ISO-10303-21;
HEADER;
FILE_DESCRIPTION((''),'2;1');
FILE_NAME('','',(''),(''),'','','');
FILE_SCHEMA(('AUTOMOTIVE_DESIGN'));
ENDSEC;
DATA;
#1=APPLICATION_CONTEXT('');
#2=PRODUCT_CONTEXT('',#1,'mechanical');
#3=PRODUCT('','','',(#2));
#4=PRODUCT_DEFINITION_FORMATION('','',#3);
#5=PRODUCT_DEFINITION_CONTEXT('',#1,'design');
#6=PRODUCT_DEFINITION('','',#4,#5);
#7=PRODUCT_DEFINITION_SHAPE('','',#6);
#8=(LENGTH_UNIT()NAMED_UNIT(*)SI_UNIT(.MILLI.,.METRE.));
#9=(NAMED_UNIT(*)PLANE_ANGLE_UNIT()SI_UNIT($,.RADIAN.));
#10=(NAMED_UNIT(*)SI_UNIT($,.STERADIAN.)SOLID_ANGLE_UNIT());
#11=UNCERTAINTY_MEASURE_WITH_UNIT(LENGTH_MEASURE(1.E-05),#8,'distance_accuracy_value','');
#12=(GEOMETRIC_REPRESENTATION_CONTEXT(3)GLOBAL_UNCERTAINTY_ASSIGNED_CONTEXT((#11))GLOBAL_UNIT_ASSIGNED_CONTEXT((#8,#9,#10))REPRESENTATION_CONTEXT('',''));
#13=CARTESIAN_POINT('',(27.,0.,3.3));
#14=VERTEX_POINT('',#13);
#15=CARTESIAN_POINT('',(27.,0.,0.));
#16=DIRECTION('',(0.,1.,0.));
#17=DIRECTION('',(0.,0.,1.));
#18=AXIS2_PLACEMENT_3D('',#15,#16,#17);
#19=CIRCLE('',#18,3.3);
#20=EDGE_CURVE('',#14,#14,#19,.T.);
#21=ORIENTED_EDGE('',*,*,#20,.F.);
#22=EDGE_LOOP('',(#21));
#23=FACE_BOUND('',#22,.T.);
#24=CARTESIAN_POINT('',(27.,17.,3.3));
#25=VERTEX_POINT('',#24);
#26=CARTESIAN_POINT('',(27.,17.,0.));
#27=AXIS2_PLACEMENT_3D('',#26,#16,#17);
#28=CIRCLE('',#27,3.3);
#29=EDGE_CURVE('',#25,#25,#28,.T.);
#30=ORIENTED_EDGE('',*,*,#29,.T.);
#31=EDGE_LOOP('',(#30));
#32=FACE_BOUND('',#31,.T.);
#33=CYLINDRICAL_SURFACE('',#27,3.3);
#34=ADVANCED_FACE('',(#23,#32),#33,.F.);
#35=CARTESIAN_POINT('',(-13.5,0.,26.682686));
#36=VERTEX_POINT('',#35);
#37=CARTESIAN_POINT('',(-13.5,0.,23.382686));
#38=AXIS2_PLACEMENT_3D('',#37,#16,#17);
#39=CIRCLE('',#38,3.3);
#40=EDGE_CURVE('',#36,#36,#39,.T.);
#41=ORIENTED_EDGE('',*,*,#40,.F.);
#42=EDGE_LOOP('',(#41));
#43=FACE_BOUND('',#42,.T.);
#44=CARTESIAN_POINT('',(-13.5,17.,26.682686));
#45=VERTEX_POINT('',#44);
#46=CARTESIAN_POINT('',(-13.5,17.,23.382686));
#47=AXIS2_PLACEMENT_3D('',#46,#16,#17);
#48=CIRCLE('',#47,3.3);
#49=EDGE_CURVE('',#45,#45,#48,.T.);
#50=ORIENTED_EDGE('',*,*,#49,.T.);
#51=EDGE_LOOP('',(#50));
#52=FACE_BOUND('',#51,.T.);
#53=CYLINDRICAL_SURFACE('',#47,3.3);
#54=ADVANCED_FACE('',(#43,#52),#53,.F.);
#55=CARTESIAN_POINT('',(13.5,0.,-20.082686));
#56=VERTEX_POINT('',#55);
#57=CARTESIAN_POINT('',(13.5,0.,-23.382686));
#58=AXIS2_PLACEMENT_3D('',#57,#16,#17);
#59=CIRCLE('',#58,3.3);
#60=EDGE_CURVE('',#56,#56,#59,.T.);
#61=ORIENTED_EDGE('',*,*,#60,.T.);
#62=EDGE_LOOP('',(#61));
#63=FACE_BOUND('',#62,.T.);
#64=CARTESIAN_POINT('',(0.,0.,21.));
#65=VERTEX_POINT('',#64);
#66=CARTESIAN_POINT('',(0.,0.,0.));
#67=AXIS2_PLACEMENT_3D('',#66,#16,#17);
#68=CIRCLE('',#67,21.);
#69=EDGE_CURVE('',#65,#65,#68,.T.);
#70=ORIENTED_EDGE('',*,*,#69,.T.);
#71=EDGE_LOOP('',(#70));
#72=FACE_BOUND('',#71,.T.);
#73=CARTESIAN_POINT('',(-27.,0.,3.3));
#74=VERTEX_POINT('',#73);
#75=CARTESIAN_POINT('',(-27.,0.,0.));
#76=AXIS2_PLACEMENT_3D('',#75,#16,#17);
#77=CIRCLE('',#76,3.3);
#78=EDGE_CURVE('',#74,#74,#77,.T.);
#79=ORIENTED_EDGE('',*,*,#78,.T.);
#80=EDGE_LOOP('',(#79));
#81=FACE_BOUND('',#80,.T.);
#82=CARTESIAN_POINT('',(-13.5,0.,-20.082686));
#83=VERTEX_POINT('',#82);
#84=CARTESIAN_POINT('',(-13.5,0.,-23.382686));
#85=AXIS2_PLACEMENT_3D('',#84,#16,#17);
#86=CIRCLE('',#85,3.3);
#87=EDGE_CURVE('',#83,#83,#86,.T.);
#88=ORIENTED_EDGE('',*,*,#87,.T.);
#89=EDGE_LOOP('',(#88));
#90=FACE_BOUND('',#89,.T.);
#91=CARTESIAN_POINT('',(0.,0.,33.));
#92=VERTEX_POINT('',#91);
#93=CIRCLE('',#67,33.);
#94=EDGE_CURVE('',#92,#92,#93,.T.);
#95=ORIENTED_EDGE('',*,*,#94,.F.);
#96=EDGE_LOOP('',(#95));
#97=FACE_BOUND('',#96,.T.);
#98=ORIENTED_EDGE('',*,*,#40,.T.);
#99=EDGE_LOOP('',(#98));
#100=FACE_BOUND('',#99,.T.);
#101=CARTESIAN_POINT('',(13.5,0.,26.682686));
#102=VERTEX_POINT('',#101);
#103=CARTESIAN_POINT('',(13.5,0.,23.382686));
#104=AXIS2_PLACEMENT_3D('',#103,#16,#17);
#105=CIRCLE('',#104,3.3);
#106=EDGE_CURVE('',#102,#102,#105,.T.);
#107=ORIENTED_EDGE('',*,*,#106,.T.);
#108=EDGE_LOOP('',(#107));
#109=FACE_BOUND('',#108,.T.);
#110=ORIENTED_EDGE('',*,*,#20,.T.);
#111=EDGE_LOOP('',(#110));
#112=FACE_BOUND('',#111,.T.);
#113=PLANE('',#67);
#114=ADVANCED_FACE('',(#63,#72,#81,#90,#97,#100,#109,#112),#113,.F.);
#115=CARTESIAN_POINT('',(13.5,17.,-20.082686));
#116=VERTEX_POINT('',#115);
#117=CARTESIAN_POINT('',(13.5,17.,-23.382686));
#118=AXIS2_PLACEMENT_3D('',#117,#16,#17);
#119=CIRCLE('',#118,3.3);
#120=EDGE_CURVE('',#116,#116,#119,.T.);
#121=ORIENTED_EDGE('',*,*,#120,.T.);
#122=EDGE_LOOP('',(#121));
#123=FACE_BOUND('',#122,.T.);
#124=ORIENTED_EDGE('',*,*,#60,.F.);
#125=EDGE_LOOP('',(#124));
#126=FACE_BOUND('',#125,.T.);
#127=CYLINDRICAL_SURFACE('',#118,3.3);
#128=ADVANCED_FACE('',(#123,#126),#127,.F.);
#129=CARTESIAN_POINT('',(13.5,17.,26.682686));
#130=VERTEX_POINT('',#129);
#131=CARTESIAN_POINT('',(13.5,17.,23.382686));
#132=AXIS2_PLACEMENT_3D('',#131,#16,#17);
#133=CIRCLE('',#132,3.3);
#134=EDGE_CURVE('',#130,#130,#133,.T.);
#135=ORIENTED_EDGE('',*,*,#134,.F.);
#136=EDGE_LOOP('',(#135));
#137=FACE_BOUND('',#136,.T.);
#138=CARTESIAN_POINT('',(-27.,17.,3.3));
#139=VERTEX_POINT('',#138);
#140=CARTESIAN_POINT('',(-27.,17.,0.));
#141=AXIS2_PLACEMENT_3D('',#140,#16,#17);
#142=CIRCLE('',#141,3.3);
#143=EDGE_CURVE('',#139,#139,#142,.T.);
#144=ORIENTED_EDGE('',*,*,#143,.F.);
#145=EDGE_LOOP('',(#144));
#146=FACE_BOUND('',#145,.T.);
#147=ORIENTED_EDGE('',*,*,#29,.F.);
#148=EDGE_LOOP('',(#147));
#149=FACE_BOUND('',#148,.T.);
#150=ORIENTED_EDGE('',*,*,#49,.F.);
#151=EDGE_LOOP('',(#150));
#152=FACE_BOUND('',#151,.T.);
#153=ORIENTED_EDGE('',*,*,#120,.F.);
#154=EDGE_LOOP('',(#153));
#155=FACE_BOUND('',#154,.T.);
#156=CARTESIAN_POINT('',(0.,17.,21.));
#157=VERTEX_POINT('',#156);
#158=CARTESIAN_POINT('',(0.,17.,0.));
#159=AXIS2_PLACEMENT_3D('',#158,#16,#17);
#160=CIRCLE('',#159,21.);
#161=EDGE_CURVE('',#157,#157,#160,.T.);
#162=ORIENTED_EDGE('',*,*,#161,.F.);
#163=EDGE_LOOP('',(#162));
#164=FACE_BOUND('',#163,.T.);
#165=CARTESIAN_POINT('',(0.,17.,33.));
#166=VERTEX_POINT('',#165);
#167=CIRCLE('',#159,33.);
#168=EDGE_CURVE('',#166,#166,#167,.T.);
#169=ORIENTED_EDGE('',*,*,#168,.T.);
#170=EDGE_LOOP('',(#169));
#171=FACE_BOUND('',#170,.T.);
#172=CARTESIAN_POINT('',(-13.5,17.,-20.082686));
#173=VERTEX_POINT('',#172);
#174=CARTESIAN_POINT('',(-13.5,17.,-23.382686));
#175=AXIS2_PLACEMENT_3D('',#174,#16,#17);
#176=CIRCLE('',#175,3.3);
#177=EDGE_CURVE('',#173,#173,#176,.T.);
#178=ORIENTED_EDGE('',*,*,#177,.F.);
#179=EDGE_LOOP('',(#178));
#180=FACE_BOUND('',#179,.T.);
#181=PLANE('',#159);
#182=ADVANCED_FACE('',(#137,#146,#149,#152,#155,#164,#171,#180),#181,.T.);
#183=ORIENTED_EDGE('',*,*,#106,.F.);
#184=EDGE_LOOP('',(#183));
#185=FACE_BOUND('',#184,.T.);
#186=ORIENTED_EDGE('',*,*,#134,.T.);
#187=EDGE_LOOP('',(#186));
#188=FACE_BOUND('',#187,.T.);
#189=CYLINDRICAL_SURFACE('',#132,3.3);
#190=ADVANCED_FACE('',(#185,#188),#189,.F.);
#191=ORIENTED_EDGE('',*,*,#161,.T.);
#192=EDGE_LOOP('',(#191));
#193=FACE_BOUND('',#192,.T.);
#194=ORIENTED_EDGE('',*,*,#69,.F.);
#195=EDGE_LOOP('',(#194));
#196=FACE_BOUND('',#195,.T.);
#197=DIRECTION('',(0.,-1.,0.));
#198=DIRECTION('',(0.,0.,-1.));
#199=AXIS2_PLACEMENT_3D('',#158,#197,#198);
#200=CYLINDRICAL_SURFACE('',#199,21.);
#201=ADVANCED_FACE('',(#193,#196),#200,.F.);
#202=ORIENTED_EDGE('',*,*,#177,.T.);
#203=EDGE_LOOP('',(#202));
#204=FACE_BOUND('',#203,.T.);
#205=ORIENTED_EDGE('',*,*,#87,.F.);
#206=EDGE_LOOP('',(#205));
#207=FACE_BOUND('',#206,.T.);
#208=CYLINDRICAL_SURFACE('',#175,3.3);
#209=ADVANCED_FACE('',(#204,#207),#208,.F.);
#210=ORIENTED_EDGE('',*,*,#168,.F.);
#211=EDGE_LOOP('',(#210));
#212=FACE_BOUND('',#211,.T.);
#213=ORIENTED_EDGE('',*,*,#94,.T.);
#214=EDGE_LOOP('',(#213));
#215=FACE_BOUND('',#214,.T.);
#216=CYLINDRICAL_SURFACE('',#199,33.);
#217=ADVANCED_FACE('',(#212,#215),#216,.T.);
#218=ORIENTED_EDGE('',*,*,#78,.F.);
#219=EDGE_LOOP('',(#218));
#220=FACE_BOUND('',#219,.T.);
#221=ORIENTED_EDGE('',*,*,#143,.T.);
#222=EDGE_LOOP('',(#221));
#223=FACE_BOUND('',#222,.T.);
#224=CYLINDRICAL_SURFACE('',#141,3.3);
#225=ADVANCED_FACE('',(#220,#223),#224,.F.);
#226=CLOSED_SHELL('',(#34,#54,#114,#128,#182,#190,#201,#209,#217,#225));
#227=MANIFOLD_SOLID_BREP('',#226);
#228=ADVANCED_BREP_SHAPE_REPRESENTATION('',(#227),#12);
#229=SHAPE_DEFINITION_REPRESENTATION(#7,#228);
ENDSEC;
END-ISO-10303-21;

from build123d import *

# Parameters (mm, degrees)
SKETCH1_R                = 33
SKETCH1_R_2              = 21
BOSS_EXTRUDE1_DEPTH      = 17
M6_CLEARANCE_HOLE1_D     = 6.6
M6_CLEARANCE_HOLE1_DEPTH = 17
CIRPATTERN1_COUNT        = 6


with BuildPart() as part:
    # Sketch1 → Boss-Extrude1 (new body)
    with BuildSketch(Plane(origin=(0, 0, 0), x_dir=(1, 0, 0), z_dir=(0, 1, 0))):
        Circle(SKETCH1_R)
        Circle(SKETCH1_R_2, mode=Mode.SUBTRACT)
    extrude(amount=BOSS_EXTRUDE1_DEPTH)

    # M6 Clearance Hole1
    with Locations(Plane(origin=(-27, 17, 0), x_dir=(0, 0, 1), z_dir=(0, 1, 0))):
        with Locations((0, 0)):
            m6_clearance_hole1 = Hole(M6_CLEARANCE_HOLE1_D / 2, depth=M6_CLEARANCE_HOLE1_DEPTH)

    # CirPattern1: M6 Clearance Hole1 ×6 about axis
    cirpattern1_axis = Axis((0, 0, 0), (0, 1, 0))
    for i in range(1, CIRPATTERN1_COUNT):
        add(m6_clearance_hole1.rotate(cirpattern1_axis, i * 360 / CIRPATTERN1_COUNT), mode=Mode.SUBTRACT)


solid = part.part
